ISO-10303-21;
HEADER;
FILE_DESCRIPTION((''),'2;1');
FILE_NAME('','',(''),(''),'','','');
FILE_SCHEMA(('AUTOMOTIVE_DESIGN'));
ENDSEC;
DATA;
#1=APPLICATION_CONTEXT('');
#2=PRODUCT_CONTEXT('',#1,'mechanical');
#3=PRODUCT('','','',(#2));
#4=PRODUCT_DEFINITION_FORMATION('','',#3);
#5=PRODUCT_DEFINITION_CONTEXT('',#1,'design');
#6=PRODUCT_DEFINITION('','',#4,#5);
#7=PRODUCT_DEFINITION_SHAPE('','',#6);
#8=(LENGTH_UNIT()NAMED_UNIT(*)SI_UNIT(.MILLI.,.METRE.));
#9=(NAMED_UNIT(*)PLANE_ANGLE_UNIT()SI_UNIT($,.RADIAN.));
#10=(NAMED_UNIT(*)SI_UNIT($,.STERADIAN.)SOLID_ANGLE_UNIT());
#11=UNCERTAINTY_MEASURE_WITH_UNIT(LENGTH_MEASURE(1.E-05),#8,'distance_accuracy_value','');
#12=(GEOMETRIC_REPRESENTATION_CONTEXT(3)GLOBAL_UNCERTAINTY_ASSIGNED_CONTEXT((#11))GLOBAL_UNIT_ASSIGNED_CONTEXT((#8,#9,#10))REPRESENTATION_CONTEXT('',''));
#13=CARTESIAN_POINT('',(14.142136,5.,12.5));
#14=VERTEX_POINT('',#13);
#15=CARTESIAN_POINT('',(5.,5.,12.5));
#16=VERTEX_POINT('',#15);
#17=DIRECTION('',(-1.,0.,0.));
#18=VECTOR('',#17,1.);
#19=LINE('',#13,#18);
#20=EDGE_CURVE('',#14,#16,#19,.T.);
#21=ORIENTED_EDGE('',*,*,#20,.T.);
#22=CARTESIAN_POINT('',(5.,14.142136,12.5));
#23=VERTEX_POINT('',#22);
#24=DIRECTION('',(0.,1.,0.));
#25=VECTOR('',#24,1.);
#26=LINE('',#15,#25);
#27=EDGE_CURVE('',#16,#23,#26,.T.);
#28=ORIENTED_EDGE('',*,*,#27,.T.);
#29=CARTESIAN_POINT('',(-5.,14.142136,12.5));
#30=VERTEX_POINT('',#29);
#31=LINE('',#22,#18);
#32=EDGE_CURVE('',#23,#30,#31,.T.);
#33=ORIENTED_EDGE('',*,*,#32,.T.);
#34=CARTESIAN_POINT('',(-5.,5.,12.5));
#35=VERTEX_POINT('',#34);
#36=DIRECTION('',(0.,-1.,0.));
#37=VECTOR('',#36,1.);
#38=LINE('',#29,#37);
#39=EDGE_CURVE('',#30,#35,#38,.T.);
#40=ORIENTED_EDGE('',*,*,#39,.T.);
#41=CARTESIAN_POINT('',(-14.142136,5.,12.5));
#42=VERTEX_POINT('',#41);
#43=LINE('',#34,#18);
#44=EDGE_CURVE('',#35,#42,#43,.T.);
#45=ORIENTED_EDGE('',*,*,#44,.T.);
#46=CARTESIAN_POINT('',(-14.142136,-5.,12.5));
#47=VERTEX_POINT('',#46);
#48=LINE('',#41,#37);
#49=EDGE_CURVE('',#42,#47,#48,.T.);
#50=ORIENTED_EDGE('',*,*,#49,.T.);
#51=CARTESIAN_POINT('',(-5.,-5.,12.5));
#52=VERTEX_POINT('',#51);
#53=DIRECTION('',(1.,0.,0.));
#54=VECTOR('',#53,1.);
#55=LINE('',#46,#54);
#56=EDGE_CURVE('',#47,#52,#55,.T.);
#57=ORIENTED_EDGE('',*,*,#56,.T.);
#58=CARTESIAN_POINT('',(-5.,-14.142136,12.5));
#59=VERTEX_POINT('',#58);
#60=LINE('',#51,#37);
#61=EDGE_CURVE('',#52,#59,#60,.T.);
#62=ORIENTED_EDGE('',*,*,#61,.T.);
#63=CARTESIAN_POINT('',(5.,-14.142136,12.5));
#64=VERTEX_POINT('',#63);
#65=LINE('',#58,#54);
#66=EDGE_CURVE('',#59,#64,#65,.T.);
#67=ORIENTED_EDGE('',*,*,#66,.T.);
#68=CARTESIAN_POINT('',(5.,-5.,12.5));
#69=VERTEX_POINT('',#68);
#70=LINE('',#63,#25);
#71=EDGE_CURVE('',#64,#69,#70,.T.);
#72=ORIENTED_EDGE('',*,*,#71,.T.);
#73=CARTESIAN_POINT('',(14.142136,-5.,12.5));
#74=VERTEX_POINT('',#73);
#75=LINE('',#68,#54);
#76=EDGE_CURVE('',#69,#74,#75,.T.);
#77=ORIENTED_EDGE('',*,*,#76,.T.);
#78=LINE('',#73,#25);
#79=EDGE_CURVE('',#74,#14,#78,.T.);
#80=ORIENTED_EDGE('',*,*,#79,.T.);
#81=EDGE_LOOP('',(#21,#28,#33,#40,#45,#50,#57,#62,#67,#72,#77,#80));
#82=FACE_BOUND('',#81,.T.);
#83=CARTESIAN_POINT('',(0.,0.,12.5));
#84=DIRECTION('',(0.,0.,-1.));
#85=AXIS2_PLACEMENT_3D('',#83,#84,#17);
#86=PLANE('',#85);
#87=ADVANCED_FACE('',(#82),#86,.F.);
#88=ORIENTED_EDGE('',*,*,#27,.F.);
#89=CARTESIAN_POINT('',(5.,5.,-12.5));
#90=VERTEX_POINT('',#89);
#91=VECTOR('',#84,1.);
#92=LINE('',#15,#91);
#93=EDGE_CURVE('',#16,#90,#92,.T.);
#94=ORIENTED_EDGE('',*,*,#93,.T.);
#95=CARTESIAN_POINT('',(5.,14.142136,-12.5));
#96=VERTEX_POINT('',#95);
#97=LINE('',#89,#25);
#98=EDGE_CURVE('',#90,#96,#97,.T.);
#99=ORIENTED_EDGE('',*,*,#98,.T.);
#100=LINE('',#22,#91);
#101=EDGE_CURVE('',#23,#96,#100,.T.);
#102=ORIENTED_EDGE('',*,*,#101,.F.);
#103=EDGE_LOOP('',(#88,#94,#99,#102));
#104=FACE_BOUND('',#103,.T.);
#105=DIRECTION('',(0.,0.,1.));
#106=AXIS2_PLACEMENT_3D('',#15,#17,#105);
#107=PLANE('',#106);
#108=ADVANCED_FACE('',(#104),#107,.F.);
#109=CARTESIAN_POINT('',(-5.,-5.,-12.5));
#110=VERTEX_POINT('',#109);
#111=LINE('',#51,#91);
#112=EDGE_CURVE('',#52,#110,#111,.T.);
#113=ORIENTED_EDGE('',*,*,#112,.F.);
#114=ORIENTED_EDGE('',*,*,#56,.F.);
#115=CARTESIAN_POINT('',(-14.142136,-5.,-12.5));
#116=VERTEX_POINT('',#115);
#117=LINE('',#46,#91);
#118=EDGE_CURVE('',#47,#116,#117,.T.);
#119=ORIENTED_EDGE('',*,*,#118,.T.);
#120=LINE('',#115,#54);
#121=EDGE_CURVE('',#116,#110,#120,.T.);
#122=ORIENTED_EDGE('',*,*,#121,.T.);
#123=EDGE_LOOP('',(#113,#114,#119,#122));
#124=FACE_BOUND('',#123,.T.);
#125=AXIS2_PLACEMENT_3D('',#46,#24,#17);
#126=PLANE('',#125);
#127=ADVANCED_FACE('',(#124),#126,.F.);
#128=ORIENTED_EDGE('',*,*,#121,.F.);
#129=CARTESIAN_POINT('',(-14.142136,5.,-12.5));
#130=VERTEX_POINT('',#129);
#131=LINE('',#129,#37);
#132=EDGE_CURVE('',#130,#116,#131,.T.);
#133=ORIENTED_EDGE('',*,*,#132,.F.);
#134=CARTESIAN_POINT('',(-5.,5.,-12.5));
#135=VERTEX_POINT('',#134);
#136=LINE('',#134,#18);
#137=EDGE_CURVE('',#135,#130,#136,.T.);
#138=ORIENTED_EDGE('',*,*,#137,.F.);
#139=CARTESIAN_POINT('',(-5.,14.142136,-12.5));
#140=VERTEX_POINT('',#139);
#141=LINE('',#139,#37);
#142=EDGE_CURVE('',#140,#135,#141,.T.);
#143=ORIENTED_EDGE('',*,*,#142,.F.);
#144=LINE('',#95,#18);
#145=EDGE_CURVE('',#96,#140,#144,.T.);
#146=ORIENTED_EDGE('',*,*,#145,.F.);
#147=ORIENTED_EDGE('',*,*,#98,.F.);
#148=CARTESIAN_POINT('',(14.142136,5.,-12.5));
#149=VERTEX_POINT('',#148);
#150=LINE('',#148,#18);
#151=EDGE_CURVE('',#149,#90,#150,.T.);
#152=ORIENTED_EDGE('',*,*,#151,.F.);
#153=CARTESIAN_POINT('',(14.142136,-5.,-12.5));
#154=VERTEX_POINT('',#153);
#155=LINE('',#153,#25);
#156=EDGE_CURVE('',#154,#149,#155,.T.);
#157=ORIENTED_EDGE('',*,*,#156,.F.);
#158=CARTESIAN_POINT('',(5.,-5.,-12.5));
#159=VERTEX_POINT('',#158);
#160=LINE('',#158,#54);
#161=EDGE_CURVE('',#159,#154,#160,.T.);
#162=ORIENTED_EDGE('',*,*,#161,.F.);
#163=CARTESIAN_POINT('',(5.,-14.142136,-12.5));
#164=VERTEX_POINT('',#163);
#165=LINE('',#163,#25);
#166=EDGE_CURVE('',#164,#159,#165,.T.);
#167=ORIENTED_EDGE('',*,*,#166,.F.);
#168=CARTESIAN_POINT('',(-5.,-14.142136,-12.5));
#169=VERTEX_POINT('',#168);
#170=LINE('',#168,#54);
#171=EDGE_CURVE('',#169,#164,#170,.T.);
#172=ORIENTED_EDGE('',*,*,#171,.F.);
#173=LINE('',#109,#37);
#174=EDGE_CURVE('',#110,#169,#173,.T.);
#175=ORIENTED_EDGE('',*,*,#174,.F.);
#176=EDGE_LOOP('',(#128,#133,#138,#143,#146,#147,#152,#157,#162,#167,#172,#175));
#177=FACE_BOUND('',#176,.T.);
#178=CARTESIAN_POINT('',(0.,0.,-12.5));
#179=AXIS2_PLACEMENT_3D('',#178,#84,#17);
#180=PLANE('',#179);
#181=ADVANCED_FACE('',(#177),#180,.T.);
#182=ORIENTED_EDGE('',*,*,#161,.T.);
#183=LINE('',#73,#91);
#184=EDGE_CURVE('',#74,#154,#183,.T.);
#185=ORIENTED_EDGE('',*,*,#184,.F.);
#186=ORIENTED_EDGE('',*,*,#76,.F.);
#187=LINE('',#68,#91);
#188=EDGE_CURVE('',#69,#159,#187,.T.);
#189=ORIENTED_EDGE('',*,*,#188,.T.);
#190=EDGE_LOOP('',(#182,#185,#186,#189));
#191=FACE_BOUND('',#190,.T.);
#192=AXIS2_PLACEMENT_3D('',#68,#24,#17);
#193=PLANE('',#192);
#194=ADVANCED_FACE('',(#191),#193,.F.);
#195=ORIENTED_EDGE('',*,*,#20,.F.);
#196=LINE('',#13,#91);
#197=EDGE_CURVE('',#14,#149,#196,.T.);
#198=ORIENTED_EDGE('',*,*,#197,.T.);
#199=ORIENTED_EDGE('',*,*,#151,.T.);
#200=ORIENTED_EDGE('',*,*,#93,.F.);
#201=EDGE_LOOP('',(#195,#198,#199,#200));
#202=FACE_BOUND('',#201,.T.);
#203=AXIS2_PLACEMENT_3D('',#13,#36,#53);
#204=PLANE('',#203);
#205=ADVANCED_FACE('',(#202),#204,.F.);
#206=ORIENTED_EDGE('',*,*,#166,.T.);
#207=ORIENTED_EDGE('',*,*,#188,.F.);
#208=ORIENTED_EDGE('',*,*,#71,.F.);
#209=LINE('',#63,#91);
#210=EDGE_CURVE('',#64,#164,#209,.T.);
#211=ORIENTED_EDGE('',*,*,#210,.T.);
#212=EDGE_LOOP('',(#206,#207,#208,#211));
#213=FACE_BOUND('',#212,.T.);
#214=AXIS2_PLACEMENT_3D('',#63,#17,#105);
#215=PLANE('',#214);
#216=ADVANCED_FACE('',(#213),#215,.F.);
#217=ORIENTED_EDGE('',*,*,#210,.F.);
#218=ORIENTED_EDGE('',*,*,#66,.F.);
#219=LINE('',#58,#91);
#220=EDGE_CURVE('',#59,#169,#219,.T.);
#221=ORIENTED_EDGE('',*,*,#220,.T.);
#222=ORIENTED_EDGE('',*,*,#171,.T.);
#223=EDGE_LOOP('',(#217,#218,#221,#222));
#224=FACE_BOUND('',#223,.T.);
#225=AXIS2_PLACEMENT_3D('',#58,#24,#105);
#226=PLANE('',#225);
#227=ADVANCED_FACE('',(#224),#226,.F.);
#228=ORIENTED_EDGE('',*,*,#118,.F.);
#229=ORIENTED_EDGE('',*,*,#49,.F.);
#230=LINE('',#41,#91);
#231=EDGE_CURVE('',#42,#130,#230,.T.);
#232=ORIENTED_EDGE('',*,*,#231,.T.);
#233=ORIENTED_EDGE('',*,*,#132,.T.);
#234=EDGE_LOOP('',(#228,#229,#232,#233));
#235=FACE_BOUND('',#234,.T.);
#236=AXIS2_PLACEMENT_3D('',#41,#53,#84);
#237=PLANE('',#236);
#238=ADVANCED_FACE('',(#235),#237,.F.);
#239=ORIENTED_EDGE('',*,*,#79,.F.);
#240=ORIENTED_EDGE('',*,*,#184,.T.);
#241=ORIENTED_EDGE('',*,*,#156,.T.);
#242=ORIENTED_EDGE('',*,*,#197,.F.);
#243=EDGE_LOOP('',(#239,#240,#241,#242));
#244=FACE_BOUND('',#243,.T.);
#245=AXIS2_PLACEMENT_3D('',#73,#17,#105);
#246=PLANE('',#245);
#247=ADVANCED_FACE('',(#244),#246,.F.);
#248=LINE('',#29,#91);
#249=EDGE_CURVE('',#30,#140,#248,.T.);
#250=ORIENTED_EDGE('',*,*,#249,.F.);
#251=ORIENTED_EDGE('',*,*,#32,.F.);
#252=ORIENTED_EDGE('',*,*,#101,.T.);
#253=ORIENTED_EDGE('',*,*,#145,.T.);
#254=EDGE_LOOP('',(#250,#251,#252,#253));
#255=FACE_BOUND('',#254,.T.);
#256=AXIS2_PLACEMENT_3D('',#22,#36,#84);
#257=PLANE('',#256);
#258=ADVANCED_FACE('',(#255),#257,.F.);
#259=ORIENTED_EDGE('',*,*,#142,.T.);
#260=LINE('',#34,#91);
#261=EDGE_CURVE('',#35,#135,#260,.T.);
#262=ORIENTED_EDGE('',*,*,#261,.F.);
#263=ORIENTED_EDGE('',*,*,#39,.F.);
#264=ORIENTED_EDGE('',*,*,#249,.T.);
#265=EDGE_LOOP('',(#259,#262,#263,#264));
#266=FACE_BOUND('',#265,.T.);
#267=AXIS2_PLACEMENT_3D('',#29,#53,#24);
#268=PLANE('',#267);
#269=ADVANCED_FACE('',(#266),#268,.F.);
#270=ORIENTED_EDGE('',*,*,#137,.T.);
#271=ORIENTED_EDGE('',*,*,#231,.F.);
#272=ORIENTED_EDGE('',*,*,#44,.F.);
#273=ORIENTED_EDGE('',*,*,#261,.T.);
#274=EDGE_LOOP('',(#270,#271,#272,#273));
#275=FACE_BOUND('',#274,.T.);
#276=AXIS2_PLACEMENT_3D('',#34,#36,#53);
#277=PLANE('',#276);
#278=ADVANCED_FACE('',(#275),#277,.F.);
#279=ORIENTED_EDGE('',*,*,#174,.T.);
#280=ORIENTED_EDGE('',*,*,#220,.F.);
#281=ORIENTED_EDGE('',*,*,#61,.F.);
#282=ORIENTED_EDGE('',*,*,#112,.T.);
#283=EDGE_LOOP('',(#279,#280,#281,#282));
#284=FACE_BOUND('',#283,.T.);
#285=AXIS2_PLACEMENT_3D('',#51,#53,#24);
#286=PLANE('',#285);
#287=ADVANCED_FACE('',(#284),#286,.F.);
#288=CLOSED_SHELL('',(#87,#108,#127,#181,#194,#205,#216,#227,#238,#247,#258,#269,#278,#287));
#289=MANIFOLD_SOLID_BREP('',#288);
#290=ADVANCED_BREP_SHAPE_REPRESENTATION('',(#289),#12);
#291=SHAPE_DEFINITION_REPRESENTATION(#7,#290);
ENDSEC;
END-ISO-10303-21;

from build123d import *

# Parameters (mm, degrees)
BOSS_EXTRUDE1_DEPTH = 12.5


with BuildPart() as part:
    # Sketch1 → Boss-Extrude1 (new, symmetric)
    with BuildSketch(Plane.XY):
        Polygon((-5, 14.142135624), (-5, 5), (-14.142135624, 5), (-14.142135624, -5), (-5, -5), (-5, -14.142135624), (5, -14.142135624), (5, -5), (14.142135624, -5), (14.142135624, 5), (5, 5), (5, 14.142135624), align=None)
    extrude(amount=BOSS_EXTRUDE1_DEPTH, both=True)


solid = part.part
